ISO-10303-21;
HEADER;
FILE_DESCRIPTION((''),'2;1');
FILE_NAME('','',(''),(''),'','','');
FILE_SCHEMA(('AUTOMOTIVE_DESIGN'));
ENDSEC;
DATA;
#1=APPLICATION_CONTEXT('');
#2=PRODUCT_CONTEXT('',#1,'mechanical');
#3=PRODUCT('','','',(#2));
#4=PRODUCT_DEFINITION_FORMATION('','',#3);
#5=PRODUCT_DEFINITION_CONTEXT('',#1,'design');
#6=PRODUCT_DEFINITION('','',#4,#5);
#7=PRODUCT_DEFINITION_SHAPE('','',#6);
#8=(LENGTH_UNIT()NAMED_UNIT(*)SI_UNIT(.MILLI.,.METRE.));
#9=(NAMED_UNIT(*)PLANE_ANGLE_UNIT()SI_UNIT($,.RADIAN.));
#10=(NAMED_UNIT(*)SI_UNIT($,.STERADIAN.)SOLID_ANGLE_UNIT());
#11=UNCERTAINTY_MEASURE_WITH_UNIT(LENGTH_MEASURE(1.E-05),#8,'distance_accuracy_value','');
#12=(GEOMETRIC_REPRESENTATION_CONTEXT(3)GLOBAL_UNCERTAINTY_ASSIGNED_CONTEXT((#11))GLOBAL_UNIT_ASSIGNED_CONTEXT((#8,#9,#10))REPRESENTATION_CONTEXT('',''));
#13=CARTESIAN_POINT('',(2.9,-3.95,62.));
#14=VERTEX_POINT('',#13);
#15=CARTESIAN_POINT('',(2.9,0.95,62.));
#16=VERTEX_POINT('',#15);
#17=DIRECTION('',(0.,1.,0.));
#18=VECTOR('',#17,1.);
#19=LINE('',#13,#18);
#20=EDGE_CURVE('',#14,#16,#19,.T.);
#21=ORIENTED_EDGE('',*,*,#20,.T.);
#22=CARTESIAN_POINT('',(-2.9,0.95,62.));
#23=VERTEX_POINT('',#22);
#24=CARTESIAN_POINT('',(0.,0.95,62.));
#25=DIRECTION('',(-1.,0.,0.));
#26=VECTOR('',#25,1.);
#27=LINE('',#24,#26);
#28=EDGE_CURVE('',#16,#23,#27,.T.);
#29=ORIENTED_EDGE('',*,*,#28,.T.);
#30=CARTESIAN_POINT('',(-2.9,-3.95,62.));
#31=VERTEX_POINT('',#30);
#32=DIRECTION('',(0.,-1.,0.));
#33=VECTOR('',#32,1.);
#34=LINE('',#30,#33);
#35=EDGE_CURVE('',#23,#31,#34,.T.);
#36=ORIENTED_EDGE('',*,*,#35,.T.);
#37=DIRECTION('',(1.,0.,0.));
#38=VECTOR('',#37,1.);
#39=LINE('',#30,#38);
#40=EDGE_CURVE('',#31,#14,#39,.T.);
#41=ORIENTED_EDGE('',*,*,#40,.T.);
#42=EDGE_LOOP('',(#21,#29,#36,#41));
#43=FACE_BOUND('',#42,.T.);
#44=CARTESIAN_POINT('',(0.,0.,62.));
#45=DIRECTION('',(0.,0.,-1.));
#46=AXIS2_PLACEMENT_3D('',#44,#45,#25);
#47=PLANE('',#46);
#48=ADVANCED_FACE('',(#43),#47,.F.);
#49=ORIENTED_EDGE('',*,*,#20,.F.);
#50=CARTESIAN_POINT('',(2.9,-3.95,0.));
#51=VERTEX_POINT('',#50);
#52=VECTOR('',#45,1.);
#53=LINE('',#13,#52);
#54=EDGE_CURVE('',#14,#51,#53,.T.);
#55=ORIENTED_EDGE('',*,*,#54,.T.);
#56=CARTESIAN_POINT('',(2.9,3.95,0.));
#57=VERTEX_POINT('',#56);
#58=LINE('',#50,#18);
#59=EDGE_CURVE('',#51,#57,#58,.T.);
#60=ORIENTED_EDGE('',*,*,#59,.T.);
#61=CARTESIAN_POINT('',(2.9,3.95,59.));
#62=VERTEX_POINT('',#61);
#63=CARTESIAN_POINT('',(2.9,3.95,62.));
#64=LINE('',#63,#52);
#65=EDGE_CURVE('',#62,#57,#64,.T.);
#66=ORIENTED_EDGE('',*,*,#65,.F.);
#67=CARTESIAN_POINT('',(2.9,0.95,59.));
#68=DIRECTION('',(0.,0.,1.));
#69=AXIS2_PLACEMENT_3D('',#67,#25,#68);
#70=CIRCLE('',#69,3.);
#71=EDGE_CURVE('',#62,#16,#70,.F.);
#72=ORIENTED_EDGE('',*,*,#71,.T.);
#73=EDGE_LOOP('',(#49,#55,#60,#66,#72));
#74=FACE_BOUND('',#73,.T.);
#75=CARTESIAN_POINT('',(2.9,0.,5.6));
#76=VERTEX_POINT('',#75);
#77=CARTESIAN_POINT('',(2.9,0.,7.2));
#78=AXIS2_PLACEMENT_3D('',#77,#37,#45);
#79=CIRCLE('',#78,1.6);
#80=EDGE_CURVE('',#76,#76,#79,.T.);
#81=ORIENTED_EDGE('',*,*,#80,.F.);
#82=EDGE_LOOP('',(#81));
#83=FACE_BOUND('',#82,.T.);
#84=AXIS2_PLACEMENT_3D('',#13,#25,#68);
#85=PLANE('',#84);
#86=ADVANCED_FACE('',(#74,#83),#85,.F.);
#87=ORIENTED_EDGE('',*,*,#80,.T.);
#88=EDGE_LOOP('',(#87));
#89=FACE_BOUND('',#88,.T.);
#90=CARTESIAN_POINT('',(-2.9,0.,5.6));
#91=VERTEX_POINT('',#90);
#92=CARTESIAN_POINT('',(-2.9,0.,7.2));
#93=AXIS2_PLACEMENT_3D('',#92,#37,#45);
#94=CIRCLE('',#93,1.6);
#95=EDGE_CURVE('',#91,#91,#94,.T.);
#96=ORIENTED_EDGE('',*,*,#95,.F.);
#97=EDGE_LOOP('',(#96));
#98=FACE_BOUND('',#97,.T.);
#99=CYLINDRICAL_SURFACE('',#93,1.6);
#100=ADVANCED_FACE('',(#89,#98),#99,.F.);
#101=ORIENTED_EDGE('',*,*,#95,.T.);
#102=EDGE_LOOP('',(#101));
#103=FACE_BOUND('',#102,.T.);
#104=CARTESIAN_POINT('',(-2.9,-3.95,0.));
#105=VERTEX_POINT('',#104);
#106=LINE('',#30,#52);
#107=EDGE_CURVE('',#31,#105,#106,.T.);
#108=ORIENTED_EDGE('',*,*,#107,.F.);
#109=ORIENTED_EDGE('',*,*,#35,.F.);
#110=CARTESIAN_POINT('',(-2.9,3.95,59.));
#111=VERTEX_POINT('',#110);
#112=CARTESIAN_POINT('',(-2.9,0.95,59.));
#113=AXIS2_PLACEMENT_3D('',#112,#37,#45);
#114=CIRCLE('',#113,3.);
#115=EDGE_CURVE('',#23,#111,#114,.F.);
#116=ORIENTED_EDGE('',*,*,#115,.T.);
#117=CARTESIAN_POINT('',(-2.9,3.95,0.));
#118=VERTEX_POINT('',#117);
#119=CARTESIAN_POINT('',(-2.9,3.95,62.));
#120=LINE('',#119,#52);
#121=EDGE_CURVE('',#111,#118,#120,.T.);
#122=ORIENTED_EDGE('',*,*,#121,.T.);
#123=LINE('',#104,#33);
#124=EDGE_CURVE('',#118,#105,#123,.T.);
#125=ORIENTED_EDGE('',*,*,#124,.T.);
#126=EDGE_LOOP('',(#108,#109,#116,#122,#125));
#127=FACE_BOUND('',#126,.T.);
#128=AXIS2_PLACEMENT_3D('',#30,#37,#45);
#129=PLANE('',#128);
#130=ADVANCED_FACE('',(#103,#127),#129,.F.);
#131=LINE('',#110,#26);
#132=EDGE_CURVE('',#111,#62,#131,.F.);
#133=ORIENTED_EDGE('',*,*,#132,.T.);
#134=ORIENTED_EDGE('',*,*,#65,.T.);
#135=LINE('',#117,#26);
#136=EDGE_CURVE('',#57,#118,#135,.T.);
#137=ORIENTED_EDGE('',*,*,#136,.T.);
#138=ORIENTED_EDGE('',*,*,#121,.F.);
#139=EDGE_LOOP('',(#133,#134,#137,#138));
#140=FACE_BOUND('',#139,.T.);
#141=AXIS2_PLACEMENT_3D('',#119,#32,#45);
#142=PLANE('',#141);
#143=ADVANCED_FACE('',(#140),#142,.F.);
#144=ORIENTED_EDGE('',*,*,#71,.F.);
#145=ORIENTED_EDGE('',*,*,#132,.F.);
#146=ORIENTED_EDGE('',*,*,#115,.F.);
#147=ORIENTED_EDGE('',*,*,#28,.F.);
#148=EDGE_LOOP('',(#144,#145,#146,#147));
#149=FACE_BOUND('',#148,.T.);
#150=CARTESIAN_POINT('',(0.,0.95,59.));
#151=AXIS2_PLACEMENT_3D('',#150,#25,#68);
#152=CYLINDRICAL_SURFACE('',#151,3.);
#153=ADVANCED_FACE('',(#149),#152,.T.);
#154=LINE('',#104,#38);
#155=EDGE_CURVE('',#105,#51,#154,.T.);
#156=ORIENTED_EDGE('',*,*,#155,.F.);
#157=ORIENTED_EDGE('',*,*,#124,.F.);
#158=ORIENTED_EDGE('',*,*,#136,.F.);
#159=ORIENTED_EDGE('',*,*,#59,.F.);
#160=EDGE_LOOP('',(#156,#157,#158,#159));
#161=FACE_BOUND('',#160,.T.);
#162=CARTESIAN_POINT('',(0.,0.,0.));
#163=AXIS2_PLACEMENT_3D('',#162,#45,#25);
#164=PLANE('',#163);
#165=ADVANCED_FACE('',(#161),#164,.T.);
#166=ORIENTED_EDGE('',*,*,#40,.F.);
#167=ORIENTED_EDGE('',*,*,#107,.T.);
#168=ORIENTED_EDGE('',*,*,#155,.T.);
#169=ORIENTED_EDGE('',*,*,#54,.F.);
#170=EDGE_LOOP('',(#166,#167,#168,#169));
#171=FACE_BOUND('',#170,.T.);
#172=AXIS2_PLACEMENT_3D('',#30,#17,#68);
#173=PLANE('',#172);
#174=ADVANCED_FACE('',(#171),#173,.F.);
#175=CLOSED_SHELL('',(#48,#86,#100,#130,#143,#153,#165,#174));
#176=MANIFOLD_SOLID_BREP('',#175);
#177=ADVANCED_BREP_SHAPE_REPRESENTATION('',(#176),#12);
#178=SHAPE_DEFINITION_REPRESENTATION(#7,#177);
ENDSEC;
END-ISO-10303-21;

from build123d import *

# Parameters (mm, degrees)
SKETCH1_W           = 5.8
SKETCH1_H           = 7.9
BOSS_EXTRUDE1_DEPTH = 62
SKETCH2_R           = 1.6
CUT_EXTRUDE1_DEPTH  = 6.8
FILLET1_R           = 3


with BuildPart() as part:
    # Sketch1 → Boss-Extrude1 (new body)
    with BuildSketch(Plane.XY):
        Rectangle(SKETCH1_W, SKETCH1_H)
    extrude(amount=BOSS_EXTRUDE1_DEPTH)

    # Sketch2 → Cut-Extrude1 (cut, through all)
    with BuildSketch(Plane(origin=(2.9, 0, 0), x_dir=(0, 0, -1), z_dir=(1, 0, 0))):
        with Locations((-7.2, 0)):
            Circle(SKETCH2_R)
    extrude(amount=-CUT_EXTRUDE1_DEPTH, mode=Mode.SUBTRACT)

    # Fillet1
    fillet1_edges = [part.edges().sort_by_distance(p)[0] for p in [
        (0, 3.95, 62),
    ]]
    fillet(fillet1_edges, radius=FILLET1_R)


solid = part.part
